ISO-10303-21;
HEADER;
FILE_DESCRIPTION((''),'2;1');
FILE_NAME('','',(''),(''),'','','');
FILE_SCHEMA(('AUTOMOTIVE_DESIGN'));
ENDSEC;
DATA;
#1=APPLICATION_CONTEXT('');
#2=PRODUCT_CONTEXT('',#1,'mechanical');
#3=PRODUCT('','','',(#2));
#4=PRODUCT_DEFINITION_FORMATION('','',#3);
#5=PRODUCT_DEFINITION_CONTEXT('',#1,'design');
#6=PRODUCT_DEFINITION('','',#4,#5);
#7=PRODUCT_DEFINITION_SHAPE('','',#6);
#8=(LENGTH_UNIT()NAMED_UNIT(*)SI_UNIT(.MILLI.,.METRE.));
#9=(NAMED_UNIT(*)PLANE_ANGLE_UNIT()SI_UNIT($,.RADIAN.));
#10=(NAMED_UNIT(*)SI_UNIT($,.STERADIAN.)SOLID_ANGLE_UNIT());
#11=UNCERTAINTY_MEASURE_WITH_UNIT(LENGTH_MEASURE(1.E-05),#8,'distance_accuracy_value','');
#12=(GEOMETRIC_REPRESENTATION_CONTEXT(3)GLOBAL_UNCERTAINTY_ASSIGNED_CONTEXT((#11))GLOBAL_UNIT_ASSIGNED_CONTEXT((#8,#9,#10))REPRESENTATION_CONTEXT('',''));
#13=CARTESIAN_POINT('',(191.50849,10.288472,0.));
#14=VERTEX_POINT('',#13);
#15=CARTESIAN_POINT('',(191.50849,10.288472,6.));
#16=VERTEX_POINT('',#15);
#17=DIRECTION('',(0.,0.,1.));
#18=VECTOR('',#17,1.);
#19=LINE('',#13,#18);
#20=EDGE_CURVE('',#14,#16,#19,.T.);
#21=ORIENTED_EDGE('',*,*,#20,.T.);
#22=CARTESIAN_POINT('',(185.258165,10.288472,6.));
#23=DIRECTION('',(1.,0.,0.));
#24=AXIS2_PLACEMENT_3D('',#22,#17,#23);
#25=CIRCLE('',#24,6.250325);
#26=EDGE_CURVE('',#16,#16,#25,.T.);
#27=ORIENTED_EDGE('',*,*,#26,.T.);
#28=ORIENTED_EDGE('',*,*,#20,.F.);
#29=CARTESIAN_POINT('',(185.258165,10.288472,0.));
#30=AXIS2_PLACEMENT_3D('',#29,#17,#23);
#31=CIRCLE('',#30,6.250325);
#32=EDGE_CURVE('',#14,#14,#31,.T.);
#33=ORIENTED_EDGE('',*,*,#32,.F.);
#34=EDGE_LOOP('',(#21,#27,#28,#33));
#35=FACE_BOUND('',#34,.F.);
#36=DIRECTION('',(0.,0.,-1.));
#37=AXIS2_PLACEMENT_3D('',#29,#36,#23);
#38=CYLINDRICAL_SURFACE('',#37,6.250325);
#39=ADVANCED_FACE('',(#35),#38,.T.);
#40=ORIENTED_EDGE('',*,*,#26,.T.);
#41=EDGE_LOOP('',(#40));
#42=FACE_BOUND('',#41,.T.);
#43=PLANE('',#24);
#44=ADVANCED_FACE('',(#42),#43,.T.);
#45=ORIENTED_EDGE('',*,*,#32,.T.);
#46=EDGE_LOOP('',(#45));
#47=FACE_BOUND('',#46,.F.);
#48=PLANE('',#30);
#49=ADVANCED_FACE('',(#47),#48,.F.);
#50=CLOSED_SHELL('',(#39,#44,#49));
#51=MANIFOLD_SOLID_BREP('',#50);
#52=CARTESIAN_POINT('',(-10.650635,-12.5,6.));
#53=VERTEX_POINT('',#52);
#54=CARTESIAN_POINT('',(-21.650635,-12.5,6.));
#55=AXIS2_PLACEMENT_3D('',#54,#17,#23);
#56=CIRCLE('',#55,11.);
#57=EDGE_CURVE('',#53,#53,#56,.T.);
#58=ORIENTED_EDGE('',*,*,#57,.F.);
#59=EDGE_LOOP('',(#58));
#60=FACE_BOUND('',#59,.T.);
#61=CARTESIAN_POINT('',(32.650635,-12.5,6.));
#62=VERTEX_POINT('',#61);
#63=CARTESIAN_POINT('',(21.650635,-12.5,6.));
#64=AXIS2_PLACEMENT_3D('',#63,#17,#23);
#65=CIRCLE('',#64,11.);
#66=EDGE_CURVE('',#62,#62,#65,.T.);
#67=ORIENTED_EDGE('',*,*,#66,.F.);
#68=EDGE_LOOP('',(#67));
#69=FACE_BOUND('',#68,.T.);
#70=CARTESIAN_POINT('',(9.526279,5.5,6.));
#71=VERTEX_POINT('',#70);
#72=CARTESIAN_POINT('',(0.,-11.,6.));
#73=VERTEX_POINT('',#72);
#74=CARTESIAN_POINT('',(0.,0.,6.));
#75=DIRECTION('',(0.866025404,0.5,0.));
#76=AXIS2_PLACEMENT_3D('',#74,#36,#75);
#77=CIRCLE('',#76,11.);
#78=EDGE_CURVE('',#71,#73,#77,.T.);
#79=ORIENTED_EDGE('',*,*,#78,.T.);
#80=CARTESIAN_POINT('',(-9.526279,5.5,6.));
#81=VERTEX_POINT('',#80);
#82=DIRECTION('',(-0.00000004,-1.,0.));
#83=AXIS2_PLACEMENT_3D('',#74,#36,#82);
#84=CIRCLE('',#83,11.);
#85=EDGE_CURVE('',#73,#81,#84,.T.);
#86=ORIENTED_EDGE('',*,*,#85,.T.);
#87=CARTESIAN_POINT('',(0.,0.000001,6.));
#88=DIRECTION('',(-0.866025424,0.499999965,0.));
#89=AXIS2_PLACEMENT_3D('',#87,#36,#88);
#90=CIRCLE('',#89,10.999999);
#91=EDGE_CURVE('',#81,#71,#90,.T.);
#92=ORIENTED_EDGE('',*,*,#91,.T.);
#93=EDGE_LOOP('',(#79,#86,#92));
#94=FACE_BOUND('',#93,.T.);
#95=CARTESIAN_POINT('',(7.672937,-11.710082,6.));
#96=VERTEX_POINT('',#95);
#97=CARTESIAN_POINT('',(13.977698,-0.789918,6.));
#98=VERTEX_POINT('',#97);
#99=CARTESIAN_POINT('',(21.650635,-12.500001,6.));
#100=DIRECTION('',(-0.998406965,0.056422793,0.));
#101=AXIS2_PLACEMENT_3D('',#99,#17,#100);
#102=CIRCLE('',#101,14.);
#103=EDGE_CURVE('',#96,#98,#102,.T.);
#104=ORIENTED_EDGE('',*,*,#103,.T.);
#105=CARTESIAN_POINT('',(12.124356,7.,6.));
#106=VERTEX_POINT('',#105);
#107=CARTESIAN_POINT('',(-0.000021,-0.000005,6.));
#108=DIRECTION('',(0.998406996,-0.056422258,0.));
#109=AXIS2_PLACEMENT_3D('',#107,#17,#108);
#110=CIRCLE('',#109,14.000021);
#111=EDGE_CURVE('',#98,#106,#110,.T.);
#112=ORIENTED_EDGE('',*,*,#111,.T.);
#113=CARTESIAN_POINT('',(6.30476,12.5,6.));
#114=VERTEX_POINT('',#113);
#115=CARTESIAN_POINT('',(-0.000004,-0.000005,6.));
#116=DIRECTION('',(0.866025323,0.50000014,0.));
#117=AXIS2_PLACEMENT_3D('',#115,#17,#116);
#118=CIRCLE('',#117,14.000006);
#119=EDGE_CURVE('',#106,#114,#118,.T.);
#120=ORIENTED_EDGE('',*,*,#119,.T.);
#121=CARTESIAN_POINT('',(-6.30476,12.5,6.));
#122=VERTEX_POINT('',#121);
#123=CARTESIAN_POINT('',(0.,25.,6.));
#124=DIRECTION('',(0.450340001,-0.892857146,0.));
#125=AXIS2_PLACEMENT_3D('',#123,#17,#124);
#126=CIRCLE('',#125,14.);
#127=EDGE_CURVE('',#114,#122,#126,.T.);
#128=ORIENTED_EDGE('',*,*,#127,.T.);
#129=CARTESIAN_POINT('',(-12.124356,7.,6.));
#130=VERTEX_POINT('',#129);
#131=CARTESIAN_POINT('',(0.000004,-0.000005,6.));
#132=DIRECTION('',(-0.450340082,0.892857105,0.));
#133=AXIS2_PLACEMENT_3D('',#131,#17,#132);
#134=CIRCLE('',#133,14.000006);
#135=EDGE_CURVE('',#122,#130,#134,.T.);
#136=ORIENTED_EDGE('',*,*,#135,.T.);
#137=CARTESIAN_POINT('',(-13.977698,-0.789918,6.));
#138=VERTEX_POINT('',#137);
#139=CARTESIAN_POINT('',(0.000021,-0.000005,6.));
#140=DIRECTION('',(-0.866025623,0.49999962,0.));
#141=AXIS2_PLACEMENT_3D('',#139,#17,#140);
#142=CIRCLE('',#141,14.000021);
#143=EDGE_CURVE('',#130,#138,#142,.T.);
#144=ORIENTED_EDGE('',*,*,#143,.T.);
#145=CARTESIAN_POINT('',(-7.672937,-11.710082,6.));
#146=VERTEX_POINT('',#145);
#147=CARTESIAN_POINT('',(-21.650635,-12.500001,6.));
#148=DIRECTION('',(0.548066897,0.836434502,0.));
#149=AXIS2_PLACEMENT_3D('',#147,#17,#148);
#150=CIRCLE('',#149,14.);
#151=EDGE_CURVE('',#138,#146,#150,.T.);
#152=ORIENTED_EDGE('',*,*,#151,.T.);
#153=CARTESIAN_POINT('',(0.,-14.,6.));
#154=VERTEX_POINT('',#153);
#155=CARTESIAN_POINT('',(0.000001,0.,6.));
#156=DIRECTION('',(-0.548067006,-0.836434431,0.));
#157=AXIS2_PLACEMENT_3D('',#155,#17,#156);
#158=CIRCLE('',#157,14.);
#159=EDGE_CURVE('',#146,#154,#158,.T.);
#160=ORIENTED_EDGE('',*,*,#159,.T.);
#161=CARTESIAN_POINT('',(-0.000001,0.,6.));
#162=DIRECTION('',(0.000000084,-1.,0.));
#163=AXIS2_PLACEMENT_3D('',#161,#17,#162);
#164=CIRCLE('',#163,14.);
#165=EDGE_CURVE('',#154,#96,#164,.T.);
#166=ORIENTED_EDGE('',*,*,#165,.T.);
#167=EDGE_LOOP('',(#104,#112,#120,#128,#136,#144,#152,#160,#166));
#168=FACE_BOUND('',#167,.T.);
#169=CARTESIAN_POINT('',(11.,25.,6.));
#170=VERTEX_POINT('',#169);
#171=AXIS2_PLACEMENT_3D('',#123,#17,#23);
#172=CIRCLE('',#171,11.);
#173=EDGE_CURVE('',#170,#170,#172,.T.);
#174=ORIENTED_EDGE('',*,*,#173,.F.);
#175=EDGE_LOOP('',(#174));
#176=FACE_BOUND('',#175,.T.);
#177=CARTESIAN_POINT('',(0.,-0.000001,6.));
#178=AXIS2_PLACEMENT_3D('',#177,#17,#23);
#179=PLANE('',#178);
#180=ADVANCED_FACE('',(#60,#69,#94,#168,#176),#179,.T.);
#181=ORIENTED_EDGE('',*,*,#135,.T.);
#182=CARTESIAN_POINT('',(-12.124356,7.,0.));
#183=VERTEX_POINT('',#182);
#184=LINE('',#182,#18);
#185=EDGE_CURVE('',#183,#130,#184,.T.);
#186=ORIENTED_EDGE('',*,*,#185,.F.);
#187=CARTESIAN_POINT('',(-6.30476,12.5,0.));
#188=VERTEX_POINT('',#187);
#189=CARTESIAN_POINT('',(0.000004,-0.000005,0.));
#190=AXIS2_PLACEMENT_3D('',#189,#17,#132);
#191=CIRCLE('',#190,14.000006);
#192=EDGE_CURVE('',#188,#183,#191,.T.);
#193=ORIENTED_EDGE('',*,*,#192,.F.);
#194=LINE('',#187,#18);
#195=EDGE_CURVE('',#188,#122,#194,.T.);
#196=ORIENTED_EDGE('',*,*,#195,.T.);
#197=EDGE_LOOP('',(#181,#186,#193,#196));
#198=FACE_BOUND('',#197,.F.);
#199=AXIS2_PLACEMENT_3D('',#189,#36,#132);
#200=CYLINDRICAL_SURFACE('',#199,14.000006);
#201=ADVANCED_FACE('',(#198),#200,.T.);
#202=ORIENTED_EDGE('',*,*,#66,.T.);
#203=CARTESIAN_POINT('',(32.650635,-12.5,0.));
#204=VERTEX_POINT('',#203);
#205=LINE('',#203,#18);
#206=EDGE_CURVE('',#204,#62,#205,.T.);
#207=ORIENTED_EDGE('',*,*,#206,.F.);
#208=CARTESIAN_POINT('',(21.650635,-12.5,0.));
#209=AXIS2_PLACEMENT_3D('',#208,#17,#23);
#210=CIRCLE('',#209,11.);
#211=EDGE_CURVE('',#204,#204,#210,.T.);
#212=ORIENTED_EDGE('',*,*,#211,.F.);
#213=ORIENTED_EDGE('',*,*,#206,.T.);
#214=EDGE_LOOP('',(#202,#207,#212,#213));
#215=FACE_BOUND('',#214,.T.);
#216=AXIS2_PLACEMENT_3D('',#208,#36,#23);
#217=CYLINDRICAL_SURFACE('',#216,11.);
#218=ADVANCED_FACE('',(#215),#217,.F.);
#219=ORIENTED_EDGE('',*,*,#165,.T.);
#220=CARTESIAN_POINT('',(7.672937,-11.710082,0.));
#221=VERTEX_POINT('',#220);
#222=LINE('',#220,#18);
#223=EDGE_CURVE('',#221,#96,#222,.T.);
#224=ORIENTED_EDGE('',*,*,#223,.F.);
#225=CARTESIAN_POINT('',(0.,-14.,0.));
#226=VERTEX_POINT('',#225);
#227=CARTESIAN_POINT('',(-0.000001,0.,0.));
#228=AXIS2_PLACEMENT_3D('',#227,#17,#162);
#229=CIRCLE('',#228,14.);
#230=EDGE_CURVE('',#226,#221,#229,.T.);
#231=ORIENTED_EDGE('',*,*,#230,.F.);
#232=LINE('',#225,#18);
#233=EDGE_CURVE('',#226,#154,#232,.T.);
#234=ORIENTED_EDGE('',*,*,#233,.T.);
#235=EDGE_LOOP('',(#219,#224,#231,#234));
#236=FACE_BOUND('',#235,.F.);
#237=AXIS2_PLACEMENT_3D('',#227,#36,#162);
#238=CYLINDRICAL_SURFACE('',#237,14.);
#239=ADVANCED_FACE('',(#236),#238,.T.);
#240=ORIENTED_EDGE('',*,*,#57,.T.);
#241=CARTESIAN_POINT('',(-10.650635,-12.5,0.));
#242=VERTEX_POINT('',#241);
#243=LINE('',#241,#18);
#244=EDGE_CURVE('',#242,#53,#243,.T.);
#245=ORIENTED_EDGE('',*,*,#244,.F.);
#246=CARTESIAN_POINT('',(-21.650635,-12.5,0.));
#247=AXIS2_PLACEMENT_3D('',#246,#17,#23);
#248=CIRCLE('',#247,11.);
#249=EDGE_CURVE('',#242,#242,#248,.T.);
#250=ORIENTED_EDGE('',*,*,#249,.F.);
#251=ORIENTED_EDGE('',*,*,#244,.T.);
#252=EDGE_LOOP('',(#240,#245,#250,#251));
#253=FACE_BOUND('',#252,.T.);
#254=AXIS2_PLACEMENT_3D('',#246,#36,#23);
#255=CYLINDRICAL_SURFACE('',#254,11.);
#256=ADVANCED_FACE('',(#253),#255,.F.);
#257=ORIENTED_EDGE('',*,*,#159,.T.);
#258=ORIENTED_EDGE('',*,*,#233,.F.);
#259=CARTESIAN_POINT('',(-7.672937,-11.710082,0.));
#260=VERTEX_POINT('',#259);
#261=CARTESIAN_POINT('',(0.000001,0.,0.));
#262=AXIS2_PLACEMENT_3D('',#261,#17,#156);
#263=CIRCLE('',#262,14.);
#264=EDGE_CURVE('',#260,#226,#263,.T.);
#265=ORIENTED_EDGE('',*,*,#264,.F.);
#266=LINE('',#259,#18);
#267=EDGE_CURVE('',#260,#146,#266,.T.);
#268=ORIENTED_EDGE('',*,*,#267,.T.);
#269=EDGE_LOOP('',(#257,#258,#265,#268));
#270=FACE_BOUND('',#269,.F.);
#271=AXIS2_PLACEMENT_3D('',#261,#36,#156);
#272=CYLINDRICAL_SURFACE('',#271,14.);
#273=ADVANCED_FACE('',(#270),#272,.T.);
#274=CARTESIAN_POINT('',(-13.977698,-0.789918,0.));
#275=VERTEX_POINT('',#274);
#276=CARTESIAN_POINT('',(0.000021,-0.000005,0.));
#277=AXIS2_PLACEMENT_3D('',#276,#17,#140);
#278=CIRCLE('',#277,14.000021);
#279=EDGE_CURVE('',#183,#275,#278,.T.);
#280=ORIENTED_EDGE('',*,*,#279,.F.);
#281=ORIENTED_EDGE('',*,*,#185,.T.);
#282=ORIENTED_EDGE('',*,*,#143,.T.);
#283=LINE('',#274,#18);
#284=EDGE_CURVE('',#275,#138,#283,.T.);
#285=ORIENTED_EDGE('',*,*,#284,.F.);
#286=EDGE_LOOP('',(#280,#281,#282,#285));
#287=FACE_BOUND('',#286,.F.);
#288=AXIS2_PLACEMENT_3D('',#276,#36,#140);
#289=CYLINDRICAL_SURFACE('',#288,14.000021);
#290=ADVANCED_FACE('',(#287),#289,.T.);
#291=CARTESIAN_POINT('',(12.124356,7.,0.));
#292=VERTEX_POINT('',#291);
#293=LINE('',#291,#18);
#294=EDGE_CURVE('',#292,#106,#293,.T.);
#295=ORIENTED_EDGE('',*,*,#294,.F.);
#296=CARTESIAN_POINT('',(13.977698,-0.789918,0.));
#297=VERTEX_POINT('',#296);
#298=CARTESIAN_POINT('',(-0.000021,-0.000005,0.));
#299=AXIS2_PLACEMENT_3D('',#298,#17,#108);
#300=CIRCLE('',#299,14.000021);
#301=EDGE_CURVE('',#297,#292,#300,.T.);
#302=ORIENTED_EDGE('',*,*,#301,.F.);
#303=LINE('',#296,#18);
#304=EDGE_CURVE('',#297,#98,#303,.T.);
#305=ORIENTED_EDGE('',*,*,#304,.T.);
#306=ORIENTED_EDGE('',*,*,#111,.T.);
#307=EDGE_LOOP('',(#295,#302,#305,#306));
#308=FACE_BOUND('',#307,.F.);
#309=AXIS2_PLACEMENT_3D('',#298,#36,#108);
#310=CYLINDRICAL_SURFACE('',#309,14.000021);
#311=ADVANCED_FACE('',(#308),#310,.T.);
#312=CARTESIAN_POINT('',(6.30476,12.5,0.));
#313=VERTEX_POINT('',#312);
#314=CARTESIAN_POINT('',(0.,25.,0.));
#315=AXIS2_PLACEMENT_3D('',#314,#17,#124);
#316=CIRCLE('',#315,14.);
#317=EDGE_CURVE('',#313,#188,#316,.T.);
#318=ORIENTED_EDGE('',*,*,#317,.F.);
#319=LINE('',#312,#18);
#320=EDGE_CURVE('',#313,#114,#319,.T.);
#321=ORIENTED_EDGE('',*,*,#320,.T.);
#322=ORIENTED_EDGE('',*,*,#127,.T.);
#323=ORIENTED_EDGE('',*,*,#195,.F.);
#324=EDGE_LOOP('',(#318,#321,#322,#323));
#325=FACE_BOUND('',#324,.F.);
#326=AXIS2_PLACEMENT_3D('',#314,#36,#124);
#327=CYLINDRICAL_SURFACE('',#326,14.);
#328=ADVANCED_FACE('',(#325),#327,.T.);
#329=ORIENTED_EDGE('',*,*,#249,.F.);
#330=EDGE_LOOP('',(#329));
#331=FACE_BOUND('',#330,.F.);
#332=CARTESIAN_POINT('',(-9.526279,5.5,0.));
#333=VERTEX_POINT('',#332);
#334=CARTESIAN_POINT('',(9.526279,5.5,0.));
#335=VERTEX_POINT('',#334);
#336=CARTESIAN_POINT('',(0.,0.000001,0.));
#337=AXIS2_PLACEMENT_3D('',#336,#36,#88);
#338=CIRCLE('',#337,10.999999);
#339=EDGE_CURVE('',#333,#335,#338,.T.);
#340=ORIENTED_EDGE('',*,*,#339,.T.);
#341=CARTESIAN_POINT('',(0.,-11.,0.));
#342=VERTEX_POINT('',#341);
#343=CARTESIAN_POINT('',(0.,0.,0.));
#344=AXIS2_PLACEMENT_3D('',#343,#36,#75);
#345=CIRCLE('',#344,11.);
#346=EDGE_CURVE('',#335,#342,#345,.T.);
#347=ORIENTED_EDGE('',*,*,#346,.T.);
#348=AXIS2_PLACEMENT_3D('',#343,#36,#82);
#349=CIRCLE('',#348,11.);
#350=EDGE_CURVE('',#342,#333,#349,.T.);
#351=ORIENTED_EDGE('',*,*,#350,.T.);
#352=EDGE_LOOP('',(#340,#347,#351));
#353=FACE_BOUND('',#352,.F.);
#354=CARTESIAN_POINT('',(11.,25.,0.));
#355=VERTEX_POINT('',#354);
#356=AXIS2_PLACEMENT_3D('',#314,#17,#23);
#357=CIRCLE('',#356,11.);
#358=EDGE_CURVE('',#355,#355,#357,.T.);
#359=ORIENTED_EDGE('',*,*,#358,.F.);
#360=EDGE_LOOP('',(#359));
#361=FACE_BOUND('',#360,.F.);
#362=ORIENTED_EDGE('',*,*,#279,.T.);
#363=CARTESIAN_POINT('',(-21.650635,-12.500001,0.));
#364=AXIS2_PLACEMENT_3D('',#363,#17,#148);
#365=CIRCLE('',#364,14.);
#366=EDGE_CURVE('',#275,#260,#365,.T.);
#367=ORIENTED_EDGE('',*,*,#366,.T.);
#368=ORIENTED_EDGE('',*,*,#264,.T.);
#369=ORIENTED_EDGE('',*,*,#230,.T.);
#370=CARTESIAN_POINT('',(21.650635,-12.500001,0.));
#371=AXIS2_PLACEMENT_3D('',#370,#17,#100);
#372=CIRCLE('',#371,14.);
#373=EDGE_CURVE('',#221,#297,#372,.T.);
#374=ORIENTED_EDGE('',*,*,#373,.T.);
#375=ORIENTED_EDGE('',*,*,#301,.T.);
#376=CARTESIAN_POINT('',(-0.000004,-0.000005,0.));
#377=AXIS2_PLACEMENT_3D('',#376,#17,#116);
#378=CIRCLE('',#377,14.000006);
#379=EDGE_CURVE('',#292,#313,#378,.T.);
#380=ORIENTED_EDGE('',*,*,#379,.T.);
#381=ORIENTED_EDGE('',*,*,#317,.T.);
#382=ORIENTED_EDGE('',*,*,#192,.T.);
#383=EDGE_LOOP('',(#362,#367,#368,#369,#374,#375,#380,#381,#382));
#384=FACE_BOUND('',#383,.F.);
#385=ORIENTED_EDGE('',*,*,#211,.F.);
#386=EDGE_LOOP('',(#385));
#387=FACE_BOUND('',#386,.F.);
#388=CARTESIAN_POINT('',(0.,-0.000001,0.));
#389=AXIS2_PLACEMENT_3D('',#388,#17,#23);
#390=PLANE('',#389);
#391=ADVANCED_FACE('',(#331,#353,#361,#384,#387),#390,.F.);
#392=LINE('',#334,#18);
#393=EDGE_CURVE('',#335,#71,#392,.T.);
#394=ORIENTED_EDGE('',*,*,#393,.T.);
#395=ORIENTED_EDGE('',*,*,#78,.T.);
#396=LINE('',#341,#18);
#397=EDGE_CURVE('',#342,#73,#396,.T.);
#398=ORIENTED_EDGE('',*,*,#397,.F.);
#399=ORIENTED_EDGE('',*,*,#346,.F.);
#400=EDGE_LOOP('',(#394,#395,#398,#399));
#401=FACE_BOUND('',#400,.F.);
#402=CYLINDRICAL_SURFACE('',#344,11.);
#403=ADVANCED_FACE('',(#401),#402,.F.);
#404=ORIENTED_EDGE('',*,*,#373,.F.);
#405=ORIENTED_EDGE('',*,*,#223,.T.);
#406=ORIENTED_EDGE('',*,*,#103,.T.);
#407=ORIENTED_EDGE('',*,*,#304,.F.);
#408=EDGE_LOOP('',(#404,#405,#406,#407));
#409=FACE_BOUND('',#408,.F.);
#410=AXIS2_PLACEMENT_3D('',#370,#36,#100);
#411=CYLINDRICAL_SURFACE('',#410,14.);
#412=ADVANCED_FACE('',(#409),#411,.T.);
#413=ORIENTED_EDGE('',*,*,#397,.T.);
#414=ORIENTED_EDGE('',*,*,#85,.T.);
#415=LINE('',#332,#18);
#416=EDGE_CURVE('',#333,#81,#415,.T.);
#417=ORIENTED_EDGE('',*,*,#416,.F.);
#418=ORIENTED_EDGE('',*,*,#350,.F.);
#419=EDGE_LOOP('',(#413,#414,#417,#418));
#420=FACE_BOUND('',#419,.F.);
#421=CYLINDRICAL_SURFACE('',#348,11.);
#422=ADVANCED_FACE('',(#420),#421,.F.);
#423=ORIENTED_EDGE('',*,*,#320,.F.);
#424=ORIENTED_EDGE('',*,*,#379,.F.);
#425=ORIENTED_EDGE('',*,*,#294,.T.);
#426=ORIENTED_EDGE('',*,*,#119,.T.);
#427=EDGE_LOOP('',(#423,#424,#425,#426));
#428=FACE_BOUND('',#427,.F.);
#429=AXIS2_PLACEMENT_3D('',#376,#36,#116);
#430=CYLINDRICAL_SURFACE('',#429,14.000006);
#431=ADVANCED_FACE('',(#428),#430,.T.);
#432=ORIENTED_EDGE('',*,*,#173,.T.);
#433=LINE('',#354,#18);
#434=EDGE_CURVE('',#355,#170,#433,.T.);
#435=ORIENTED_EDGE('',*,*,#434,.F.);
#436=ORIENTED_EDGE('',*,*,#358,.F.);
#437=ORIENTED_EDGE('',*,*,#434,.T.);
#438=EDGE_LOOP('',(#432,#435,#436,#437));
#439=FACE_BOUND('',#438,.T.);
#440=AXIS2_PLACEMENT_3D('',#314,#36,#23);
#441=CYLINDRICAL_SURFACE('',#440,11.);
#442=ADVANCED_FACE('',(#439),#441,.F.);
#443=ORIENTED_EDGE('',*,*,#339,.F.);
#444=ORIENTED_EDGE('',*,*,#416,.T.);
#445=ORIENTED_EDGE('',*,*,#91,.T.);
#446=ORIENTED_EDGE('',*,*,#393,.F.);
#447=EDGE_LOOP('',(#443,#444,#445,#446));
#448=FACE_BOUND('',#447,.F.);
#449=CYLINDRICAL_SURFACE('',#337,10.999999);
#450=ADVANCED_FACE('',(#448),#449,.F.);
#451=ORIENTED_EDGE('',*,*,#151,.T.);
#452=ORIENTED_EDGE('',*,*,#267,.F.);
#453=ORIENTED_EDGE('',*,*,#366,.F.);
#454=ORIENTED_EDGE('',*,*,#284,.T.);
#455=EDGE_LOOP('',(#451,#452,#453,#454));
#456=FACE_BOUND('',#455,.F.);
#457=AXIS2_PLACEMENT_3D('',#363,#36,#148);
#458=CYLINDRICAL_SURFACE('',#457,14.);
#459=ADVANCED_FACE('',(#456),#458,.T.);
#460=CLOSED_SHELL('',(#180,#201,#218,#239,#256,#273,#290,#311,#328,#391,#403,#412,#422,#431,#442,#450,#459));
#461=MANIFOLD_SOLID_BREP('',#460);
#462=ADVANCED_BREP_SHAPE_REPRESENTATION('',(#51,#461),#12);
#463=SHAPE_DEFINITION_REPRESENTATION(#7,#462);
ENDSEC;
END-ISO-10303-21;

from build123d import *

# Parameters (mm, degrees)
F0_R     = 6.250325
F0_R_2   = 11
F1_DEPTH = 6


with BuildPart() as f1:
    # F0 (on Top) → F1 (new body)
    with BuildSketch(Plane.XY):
        with Locations((185.258165, 10.288472)):
            Circle(F0_R)
        with BuildLine():
            ThreePointArc((6.30476, 12.5), (0, 39), (-6.30476, 12.5))
            ThreePointArc((-6.30476, 12.5), (-9.616162, 10.174941), (-12.124356, 7))
            ThreePointArc((-12.124356, 7), (-13.619838, 3.24037), (-13.977698, -0.789918))
            ThreePointArc((-13.977698, -0.789918), (-33.774991, -19.5), (-7.672937, -11.710082))
            ThreePointArc((-7.672937, -11.710082), (-4.003676, -13.415311), (0, -14))
            ThreePointArc((0, -14), (4.003676, -13.415311), (7.672937, -11.710082))
            ThreePointArc((7.672937, -11.710082), (33.774991, -19.5), (13.977698, -0.789918))
            ThreePointArc((13.977698, -0.789918), (13.619838, 3.24037), (12.124356, 7))
            ThreePointArc((12.124356, 7), (9.616162, 10.174941), (6.30476, 12.5))
        make_face()
        with Locations((-21.650635, -12.5)):
            Circle(F0_R_2, mode=Mode.SUBTRACT)
        with Locations((21.650635, -12.5)):
            Circle(F0_R_2, mode=Mode.SUBTRACT)
        with BuildLine():
            ThreePointArc((-9.526279, 5.5), (0, 11), (9.526279, 5.5))
            ThreePointArc((9.526279, 5.5), (9.526279, -5.5), (0, -11))
            ThreePointArc((0, -11), (-9.526279, -5.5), (-9.526279, 5.5))
        make_face(mode=Mode.SUBTRACT)
        with Locations((0, 25)):
            Circle(F0_R_2, mode=Mode.SUBTRACT)
    extrude(amount=F1_DEPTH)


solid = f1.part
